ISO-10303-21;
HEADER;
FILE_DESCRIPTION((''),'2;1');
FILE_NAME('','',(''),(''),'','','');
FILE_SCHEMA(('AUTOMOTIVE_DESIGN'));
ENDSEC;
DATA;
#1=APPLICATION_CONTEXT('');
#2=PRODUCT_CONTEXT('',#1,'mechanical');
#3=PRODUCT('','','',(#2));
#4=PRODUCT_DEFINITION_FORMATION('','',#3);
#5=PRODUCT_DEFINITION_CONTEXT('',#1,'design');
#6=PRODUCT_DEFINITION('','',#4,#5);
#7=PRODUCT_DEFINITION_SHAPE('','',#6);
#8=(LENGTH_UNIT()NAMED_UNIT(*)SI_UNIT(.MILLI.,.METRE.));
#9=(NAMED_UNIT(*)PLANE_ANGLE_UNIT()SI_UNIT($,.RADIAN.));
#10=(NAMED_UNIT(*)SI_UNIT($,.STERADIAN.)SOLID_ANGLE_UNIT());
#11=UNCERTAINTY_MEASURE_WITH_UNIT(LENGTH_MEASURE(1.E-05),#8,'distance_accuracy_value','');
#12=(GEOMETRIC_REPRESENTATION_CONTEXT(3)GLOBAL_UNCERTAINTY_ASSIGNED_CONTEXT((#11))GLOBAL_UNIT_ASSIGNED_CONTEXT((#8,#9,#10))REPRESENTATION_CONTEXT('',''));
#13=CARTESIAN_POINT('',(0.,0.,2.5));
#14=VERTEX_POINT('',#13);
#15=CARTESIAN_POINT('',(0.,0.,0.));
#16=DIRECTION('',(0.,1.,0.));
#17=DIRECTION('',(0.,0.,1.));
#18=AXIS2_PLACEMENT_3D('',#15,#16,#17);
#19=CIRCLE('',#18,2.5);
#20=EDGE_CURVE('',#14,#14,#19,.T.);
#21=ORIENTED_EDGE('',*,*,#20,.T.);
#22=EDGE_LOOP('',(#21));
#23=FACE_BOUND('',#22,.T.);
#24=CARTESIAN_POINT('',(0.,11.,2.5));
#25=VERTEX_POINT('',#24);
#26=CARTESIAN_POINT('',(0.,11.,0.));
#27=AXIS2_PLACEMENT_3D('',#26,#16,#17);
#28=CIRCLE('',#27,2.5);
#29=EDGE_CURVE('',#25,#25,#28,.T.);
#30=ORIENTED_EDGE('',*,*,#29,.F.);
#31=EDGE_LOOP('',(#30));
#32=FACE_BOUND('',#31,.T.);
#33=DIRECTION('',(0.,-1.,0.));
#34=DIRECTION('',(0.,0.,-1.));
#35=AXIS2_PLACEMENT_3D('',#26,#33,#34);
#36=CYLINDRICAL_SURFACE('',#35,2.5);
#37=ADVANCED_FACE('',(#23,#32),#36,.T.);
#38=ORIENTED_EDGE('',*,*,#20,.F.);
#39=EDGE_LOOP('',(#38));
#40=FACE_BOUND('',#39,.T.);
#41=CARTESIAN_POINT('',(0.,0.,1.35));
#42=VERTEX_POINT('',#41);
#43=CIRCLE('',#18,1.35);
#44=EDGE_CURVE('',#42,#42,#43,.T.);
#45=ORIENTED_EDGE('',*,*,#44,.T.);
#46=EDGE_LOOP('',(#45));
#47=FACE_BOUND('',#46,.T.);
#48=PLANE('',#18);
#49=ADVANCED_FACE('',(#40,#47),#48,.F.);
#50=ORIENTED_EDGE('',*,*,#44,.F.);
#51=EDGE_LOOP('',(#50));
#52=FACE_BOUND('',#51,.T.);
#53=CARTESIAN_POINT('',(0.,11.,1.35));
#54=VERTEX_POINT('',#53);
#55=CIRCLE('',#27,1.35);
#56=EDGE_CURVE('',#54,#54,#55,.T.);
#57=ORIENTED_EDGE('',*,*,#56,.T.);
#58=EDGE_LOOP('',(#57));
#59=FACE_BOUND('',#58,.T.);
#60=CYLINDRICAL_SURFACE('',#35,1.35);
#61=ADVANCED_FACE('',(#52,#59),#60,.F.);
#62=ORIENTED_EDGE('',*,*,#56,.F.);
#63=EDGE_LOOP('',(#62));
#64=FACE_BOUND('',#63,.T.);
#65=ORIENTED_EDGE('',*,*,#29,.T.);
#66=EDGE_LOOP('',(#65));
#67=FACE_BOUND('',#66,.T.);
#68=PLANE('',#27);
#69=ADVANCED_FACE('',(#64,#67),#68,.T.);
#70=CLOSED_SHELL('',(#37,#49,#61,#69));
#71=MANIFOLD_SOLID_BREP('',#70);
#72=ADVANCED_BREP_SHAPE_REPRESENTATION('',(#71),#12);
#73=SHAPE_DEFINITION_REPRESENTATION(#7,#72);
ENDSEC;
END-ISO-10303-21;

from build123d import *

# Parameters (mm, degrees)
SKETCH_1_R      = 2.5
SKETCH_1_R_2    = 1.35
EXTRUDE_1_DEPTH = 11


with BuildPart() as part:
    # Эскиз1 → Бобышка-Вытянуть1 (new body)
    with BuildSketch(Plane(origin=(0, 0, 0), x_dir=(1, 0, 0), z_dir=(0, 1, 0))):
        with Locations(Location((0, 0, 0), (0, 0, 270))):
            Circle(SKETCH_1_R)
        with Locations(Location((0, 0, 0), (0, 0, 270))):
            Circle(SKETCH_1_R_2, mode=Mode.SUBTRACT)
    extrude(amount=EXTRUDE_1_DEPTH)


solid = part.part
